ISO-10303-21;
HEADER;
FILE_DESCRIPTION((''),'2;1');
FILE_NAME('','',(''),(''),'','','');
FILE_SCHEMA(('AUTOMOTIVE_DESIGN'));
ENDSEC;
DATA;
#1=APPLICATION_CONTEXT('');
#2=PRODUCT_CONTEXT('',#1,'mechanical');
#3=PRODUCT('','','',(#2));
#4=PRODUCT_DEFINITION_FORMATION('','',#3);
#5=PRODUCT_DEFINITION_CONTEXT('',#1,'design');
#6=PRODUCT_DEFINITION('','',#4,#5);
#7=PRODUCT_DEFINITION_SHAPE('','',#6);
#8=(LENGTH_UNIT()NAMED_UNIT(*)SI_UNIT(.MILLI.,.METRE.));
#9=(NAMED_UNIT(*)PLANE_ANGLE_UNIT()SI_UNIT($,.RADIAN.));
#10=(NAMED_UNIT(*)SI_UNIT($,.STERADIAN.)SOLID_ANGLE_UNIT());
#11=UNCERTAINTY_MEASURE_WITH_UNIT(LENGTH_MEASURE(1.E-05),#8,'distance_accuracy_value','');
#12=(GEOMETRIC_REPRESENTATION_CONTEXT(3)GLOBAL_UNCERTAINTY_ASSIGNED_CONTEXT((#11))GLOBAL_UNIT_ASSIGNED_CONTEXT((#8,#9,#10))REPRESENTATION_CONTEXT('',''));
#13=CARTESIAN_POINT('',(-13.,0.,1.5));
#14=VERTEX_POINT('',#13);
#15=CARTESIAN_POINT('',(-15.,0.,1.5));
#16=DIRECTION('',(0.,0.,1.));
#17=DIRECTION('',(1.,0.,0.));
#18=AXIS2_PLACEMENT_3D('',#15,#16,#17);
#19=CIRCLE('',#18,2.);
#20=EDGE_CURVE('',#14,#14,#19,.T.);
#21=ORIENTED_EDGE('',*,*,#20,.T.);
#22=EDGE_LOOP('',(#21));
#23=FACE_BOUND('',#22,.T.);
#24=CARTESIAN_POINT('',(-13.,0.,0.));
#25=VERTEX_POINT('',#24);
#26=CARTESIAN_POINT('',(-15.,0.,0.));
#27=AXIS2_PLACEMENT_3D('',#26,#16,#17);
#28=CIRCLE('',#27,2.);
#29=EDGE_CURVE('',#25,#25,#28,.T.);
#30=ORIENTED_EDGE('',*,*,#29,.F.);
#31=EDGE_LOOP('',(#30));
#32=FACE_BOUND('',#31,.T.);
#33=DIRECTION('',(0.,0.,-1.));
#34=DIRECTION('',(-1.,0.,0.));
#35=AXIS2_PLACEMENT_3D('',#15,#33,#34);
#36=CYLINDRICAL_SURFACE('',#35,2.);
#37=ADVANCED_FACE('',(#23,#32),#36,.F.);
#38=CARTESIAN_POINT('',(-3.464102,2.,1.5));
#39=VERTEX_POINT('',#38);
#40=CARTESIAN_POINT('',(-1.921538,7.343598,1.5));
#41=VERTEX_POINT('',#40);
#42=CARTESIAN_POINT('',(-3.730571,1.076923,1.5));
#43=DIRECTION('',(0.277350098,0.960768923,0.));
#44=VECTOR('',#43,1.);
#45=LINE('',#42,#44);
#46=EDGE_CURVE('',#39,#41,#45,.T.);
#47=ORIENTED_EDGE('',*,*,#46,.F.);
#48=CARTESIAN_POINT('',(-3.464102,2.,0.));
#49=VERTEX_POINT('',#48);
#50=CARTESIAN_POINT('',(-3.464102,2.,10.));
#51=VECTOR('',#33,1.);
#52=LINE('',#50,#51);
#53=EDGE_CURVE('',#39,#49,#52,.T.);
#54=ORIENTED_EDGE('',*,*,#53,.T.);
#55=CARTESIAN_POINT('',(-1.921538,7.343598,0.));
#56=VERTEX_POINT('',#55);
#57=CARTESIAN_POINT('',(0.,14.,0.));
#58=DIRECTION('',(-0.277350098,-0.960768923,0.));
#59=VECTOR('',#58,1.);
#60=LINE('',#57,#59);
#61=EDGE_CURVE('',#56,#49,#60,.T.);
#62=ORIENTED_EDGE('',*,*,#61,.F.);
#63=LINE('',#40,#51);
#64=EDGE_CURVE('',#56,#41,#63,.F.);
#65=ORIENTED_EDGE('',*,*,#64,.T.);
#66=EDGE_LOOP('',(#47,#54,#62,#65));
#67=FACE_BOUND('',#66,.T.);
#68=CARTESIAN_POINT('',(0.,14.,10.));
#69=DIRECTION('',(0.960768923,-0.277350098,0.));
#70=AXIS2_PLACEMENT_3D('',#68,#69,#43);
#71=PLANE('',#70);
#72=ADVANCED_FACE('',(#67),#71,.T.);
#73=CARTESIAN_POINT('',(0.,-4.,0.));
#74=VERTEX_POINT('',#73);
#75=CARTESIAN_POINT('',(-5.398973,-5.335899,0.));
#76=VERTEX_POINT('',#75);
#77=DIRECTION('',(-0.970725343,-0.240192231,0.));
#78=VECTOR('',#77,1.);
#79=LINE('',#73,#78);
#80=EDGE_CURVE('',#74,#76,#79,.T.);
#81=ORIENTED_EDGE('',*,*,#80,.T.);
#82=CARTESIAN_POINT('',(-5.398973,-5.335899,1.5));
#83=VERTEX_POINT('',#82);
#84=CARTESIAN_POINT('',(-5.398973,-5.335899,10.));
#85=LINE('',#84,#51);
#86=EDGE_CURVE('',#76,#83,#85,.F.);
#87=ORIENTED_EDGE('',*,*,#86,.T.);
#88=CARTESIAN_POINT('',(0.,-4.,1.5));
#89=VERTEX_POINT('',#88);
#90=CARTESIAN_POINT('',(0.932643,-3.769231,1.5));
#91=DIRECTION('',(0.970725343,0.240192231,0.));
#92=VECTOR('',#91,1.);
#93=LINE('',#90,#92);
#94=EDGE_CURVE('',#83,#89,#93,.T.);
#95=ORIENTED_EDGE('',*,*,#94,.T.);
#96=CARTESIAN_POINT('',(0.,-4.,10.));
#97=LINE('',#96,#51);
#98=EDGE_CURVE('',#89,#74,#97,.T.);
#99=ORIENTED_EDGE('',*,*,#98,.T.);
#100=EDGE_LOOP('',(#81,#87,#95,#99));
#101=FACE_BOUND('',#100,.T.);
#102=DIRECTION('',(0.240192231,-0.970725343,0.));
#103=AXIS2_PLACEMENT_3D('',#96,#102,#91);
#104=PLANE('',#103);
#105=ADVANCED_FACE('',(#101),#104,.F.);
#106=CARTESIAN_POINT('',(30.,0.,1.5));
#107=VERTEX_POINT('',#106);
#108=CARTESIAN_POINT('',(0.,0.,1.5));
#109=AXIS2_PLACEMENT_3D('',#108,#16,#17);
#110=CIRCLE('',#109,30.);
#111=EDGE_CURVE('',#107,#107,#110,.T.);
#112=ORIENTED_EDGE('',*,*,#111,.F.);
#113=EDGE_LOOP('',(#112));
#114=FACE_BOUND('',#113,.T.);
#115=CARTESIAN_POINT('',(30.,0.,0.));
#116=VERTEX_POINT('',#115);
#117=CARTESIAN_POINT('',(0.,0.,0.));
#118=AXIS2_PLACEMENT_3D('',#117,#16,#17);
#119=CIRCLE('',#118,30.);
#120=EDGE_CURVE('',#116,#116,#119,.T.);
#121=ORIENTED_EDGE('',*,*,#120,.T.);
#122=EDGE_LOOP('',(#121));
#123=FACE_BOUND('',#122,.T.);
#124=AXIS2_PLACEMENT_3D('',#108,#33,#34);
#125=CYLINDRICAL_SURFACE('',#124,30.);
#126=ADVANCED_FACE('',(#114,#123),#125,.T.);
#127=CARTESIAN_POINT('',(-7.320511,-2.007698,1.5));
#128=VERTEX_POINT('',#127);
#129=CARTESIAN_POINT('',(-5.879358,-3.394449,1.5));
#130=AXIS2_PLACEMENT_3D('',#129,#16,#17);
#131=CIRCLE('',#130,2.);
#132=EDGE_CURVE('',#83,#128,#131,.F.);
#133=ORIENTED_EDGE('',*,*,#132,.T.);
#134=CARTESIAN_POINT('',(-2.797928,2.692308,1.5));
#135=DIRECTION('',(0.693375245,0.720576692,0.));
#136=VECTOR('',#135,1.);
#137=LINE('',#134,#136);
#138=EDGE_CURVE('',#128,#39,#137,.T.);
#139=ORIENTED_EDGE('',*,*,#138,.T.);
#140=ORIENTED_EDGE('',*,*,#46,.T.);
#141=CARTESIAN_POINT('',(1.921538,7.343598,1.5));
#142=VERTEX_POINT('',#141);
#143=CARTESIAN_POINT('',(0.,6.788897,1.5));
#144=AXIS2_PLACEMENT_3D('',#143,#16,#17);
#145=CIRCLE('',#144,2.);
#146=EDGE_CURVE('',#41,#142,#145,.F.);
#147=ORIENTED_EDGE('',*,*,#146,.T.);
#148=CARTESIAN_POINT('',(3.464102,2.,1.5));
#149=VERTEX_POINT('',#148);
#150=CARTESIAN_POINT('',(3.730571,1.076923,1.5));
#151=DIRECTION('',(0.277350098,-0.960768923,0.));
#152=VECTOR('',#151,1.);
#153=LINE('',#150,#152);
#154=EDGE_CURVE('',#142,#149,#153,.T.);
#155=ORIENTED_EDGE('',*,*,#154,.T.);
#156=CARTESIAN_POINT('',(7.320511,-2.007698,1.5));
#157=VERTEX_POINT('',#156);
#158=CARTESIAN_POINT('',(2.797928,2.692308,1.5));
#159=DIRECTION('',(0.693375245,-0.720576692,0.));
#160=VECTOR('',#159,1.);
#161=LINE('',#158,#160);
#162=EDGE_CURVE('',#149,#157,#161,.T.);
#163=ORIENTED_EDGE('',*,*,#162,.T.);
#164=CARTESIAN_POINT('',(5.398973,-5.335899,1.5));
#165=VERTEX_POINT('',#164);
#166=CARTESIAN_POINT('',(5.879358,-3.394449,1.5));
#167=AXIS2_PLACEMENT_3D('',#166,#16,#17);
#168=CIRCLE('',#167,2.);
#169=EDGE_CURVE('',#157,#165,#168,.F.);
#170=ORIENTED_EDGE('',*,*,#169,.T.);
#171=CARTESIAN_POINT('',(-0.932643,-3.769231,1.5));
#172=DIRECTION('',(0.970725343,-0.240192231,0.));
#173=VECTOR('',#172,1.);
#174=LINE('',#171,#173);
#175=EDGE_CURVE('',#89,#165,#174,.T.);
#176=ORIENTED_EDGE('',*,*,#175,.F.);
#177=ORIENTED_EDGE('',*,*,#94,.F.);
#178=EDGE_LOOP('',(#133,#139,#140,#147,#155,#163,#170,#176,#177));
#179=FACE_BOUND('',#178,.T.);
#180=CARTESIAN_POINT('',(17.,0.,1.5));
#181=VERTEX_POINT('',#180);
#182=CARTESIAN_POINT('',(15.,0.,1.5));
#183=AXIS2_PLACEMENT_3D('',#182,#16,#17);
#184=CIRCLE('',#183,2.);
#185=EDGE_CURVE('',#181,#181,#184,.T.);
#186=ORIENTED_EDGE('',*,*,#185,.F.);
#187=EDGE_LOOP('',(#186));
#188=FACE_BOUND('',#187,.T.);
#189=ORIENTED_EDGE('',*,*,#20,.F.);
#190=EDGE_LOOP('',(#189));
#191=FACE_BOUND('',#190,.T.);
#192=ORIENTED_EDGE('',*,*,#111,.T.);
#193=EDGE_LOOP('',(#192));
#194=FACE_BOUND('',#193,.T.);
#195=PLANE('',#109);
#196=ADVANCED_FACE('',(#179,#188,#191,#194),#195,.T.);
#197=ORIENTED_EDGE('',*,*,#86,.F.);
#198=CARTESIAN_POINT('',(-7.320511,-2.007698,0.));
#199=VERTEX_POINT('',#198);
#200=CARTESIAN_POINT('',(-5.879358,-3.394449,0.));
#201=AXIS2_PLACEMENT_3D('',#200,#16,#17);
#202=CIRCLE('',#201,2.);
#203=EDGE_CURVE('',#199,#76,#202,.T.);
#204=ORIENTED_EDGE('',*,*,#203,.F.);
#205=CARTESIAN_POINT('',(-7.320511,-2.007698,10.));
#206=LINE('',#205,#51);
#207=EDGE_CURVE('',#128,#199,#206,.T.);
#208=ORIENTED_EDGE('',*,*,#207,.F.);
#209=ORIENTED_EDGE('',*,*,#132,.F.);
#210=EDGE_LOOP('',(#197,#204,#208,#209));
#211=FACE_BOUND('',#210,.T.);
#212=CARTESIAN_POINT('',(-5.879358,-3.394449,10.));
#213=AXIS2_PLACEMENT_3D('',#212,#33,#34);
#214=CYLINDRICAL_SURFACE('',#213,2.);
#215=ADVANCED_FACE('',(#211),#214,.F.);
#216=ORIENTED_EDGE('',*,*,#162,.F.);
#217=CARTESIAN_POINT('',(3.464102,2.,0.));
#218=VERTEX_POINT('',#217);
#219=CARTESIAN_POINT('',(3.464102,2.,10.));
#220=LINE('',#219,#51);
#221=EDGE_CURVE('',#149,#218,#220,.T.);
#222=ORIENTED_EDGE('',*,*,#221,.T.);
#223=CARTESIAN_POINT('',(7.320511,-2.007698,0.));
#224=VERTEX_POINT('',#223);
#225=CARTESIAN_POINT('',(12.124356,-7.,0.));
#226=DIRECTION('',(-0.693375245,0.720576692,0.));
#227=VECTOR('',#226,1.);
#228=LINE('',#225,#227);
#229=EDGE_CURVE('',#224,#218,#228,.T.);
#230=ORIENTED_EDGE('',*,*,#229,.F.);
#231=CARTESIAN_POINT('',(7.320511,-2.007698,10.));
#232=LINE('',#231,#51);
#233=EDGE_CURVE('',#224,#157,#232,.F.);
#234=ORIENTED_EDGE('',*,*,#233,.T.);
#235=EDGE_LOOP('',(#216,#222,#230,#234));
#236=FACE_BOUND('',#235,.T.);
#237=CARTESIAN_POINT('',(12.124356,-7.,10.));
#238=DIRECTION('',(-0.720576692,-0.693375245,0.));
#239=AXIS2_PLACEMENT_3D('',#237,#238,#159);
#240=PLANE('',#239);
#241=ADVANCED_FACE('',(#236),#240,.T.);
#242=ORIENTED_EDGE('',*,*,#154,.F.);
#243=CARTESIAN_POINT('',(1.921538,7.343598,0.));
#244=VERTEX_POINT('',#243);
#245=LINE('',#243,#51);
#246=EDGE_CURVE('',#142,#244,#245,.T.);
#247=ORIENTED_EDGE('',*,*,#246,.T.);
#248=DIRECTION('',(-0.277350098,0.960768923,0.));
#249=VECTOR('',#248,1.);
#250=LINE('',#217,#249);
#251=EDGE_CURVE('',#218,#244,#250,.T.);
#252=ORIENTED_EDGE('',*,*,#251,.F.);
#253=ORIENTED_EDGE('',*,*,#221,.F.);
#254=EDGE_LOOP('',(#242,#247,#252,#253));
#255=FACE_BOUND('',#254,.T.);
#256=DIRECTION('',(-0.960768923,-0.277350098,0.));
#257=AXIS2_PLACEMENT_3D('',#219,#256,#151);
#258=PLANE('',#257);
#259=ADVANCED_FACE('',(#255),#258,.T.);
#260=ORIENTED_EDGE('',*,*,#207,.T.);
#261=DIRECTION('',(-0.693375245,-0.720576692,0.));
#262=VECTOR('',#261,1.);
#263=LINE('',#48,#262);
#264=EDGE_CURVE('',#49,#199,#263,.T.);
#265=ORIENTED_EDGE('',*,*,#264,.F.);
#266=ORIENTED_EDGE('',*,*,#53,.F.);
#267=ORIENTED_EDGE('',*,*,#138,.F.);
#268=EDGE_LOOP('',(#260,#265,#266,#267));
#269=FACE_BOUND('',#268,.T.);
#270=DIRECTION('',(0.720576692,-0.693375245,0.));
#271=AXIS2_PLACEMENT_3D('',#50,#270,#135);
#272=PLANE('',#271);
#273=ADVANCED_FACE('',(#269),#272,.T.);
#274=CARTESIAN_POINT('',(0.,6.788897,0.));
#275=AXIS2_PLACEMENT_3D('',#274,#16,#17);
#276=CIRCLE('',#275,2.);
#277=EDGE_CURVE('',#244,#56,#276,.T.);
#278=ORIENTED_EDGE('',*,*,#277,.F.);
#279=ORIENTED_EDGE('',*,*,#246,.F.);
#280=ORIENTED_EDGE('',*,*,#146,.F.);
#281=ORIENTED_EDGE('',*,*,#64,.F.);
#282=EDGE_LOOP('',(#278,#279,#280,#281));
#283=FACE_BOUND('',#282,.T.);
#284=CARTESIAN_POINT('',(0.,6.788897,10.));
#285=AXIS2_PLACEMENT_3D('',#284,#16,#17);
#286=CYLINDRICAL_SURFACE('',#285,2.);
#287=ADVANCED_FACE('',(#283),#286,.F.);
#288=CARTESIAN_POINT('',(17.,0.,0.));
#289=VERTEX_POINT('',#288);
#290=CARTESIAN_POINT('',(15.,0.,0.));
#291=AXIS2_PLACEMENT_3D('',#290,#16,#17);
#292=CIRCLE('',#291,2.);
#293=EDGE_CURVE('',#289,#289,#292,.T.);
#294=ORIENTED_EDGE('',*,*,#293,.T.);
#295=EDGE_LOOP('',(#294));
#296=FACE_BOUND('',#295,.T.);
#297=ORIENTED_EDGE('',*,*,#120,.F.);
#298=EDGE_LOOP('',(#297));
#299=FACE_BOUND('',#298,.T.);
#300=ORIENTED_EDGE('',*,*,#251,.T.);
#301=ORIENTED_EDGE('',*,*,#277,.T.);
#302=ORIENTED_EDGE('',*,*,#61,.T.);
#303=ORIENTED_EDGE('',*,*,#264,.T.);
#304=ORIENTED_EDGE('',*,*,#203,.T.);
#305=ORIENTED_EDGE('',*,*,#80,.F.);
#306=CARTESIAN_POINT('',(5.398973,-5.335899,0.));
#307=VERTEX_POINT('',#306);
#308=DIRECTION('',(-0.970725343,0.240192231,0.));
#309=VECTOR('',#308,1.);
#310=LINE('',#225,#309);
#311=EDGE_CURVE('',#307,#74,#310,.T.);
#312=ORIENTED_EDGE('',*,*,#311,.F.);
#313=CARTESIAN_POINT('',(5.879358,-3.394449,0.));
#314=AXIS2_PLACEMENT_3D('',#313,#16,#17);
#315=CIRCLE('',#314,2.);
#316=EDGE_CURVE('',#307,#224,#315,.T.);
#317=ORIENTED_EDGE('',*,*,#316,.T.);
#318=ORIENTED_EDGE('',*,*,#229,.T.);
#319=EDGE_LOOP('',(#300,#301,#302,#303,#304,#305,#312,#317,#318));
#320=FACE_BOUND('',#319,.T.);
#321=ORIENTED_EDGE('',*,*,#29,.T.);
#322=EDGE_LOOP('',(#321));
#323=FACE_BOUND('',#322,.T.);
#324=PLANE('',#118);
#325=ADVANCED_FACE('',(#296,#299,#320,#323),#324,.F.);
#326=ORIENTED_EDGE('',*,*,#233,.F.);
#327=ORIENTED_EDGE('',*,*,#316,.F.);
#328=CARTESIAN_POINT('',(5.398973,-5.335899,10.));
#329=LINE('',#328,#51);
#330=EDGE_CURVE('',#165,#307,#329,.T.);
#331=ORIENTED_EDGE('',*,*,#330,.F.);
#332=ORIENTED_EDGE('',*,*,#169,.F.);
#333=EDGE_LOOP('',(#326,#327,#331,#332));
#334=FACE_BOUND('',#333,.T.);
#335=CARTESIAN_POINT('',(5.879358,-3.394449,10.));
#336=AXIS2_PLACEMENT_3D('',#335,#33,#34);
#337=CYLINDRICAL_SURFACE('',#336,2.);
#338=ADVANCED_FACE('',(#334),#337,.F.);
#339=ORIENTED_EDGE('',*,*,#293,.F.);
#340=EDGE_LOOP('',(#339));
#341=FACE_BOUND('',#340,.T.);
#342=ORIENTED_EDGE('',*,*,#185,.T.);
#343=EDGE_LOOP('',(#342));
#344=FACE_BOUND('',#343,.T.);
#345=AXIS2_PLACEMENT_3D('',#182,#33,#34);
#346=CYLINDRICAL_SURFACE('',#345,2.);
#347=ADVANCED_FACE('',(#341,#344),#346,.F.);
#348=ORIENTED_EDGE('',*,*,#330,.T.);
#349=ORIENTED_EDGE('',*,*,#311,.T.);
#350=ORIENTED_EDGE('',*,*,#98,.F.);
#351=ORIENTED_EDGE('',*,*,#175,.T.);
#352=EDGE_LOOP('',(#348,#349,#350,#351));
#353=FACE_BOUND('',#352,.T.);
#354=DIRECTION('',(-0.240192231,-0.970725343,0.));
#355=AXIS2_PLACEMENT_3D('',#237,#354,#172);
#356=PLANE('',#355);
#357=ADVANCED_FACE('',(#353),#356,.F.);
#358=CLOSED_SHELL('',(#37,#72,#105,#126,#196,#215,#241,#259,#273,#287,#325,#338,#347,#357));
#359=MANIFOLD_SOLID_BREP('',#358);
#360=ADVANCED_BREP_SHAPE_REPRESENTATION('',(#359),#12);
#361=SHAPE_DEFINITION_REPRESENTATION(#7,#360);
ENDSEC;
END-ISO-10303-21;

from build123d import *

# Parameters (mm, degrees)
SKETCH1_R           = 30
SKETCH1_R_2         = 2
BOSS_EXTRUDE1_DEPTH = 1.5
CUT_EXTRUDE1_DEPTH  = 10
FILLET1_R           = 2


with BuildPart() as part:
    # Sketch1 → Boss-Extrude1 (new body)
    with BuildSketch(Plane.XY):
        Circle(SKETCH1_R)
        with Locations((15, 0)):
            Circle(SKETCH1_R_2, mode=Mode.SUBTRACT)
        with Locations((-15, 0)):
            Circle(SKETCH1_R_2, mode=Mode.SUBTRACT)
    extrude(amount=BOSS_EXTRUDE1_DEPTH)

    # Sketch2 → Cut-Extrude1 (cut)
    with BuildSketch(Plane(origin=(0, 0, 0), x_dir=(-1, 0, 0), z_dir=(0, 0, -1))):
        Polygon((-12.124355653, -7), (-3.464101615, 2), (0, 14), (3.464101615, 2), (12.124355653, -7), (0, -4), align=None)
    extrude(amount=-CUT_EXTRUDE1_DEPTH, mode=Mode.SUBTRACT)

    # Fillet1
    fillet1_edges = [part.edges().sort_by_distance(p)[0] for p in [
        (-12.124355653, -7, 0.75),
        (12.124355653, -7, 0.75),
        (0, 14, 0.75),
    ]]
    fillet(fillet1_edges, radius=FILLET1_R)


solid = part.part
